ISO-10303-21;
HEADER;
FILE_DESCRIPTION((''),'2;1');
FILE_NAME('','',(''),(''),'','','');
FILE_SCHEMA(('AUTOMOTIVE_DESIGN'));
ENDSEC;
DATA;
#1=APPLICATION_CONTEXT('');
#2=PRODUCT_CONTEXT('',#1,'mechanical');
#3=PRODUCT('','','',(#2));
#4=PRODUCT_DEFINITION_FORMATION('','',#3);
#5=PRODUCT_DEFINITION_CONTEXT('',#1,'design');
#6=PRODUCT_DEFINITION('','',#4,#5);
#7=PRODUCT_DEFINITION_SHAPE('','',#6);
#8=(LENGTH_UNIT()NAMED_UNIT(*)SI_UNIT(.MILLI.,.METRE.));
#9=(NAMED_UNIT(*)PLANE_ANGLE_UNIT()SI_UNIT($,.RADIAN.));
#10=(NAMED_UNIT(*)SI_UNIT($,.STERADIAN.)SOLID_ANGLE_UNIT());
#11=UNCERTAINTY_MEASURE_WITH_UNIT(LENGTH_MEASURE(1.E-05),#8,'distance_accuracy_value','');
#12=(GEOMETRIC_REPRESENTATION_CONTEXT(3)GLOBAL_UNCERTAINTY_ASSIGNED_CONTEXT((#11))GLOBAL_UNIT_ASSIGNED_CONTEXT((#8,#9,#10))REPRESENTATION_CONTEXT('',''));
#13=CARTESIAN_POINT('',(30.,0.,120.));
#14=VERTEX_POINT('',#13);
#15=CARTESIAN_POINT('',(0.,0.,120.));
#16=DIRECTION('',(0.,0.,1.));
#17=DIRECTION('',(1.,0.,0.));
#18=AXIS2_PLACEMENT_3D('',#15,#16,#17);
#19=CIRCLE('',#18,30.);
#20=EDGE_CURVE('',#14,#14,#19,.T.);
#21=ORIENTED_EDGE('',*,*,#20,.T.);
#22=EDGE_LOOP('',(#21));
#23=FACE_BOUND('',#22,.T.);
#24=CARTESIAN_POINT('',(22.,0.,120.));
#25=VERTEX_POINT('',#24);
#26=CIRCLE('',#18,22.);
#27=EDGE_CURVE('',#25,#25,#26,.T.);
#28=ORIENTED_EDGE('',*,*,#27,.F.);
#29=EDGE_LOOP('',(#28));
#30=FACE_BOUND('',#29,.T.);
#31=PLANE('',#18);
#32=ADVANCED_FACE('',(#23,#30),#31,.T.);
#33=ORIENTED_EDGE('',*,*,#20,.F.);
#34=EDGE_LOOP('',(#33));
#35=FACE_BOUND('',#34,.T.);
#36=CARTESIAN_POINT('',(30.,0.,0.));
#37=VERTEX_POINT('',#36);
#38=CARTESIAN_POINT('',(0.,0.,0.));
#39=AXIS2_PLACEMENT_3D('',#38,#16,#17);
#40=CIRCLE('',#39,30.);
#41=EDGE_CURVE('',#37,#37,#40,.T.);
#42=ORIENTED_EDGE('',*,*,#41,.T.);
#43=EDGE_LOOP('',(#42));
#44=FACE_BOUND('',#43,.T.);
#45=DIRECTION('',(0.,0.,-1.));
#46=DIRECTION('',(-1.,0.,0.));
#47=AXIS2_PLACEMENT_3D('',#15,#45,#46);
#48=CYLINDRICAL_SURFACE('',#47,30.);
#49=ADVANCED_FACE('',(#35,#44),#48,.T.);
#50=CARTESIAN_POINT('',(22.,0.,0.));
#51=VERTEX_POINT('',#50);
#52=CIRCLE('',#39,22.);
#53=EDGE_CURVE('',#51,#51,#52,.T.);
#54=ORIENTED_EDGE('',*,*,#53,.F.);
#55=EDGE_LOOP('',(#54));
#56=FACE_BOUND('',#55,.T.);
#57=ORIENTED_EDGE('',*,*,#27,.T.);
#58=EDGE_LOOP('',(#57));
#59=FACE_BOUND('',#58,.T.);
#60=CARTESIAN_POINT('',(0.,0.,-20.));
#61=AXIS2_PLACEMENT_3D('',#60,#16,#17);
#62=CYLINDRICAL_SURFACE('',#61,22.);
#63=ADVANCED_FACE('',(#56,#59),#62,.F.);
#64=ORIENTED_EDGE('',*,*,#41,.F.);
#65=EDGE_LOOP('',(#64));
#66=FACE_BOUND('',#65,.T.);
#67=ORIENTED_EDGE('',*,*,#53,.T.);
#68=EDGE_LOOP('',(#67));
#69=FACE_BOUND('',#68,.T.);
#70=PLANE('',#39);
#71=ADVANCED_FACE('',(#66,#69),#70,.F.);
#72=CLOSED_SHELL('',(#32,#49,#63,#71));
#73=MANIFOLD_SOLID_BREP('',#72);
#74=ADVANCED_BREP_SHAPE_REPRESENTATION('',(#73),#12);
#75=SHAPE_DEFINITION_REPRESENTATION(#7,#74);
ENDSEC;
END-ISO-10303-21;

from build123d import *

# Parameters (mm, degrees)
SKETCH1_R           = 30
BOSS_EXTRUDE1_DEPTH = 120
SKETCH2_R           = 22
CUT_EXTRUDE1_DEPTH  = 140


with BuildPart() as part:
    # Sketch1 → Boss-Extrude1 (new body)
    with BuildSketch(Plane.XY):
        Circle(SKETCH1_R)
    extrude(amount=BOSS_EXTRUDE1_DEPTH)

    # Sketch2 → Cut-Extrude1 (cut)
    with BuildSketch(Plane.XY.offset(120)):
        Circle(SKETCH2_R)
    extrude(amount=-CUT_EXTRUDE1_DEPTH, mode=Mode.SUBTRACT)


solid = part.part
